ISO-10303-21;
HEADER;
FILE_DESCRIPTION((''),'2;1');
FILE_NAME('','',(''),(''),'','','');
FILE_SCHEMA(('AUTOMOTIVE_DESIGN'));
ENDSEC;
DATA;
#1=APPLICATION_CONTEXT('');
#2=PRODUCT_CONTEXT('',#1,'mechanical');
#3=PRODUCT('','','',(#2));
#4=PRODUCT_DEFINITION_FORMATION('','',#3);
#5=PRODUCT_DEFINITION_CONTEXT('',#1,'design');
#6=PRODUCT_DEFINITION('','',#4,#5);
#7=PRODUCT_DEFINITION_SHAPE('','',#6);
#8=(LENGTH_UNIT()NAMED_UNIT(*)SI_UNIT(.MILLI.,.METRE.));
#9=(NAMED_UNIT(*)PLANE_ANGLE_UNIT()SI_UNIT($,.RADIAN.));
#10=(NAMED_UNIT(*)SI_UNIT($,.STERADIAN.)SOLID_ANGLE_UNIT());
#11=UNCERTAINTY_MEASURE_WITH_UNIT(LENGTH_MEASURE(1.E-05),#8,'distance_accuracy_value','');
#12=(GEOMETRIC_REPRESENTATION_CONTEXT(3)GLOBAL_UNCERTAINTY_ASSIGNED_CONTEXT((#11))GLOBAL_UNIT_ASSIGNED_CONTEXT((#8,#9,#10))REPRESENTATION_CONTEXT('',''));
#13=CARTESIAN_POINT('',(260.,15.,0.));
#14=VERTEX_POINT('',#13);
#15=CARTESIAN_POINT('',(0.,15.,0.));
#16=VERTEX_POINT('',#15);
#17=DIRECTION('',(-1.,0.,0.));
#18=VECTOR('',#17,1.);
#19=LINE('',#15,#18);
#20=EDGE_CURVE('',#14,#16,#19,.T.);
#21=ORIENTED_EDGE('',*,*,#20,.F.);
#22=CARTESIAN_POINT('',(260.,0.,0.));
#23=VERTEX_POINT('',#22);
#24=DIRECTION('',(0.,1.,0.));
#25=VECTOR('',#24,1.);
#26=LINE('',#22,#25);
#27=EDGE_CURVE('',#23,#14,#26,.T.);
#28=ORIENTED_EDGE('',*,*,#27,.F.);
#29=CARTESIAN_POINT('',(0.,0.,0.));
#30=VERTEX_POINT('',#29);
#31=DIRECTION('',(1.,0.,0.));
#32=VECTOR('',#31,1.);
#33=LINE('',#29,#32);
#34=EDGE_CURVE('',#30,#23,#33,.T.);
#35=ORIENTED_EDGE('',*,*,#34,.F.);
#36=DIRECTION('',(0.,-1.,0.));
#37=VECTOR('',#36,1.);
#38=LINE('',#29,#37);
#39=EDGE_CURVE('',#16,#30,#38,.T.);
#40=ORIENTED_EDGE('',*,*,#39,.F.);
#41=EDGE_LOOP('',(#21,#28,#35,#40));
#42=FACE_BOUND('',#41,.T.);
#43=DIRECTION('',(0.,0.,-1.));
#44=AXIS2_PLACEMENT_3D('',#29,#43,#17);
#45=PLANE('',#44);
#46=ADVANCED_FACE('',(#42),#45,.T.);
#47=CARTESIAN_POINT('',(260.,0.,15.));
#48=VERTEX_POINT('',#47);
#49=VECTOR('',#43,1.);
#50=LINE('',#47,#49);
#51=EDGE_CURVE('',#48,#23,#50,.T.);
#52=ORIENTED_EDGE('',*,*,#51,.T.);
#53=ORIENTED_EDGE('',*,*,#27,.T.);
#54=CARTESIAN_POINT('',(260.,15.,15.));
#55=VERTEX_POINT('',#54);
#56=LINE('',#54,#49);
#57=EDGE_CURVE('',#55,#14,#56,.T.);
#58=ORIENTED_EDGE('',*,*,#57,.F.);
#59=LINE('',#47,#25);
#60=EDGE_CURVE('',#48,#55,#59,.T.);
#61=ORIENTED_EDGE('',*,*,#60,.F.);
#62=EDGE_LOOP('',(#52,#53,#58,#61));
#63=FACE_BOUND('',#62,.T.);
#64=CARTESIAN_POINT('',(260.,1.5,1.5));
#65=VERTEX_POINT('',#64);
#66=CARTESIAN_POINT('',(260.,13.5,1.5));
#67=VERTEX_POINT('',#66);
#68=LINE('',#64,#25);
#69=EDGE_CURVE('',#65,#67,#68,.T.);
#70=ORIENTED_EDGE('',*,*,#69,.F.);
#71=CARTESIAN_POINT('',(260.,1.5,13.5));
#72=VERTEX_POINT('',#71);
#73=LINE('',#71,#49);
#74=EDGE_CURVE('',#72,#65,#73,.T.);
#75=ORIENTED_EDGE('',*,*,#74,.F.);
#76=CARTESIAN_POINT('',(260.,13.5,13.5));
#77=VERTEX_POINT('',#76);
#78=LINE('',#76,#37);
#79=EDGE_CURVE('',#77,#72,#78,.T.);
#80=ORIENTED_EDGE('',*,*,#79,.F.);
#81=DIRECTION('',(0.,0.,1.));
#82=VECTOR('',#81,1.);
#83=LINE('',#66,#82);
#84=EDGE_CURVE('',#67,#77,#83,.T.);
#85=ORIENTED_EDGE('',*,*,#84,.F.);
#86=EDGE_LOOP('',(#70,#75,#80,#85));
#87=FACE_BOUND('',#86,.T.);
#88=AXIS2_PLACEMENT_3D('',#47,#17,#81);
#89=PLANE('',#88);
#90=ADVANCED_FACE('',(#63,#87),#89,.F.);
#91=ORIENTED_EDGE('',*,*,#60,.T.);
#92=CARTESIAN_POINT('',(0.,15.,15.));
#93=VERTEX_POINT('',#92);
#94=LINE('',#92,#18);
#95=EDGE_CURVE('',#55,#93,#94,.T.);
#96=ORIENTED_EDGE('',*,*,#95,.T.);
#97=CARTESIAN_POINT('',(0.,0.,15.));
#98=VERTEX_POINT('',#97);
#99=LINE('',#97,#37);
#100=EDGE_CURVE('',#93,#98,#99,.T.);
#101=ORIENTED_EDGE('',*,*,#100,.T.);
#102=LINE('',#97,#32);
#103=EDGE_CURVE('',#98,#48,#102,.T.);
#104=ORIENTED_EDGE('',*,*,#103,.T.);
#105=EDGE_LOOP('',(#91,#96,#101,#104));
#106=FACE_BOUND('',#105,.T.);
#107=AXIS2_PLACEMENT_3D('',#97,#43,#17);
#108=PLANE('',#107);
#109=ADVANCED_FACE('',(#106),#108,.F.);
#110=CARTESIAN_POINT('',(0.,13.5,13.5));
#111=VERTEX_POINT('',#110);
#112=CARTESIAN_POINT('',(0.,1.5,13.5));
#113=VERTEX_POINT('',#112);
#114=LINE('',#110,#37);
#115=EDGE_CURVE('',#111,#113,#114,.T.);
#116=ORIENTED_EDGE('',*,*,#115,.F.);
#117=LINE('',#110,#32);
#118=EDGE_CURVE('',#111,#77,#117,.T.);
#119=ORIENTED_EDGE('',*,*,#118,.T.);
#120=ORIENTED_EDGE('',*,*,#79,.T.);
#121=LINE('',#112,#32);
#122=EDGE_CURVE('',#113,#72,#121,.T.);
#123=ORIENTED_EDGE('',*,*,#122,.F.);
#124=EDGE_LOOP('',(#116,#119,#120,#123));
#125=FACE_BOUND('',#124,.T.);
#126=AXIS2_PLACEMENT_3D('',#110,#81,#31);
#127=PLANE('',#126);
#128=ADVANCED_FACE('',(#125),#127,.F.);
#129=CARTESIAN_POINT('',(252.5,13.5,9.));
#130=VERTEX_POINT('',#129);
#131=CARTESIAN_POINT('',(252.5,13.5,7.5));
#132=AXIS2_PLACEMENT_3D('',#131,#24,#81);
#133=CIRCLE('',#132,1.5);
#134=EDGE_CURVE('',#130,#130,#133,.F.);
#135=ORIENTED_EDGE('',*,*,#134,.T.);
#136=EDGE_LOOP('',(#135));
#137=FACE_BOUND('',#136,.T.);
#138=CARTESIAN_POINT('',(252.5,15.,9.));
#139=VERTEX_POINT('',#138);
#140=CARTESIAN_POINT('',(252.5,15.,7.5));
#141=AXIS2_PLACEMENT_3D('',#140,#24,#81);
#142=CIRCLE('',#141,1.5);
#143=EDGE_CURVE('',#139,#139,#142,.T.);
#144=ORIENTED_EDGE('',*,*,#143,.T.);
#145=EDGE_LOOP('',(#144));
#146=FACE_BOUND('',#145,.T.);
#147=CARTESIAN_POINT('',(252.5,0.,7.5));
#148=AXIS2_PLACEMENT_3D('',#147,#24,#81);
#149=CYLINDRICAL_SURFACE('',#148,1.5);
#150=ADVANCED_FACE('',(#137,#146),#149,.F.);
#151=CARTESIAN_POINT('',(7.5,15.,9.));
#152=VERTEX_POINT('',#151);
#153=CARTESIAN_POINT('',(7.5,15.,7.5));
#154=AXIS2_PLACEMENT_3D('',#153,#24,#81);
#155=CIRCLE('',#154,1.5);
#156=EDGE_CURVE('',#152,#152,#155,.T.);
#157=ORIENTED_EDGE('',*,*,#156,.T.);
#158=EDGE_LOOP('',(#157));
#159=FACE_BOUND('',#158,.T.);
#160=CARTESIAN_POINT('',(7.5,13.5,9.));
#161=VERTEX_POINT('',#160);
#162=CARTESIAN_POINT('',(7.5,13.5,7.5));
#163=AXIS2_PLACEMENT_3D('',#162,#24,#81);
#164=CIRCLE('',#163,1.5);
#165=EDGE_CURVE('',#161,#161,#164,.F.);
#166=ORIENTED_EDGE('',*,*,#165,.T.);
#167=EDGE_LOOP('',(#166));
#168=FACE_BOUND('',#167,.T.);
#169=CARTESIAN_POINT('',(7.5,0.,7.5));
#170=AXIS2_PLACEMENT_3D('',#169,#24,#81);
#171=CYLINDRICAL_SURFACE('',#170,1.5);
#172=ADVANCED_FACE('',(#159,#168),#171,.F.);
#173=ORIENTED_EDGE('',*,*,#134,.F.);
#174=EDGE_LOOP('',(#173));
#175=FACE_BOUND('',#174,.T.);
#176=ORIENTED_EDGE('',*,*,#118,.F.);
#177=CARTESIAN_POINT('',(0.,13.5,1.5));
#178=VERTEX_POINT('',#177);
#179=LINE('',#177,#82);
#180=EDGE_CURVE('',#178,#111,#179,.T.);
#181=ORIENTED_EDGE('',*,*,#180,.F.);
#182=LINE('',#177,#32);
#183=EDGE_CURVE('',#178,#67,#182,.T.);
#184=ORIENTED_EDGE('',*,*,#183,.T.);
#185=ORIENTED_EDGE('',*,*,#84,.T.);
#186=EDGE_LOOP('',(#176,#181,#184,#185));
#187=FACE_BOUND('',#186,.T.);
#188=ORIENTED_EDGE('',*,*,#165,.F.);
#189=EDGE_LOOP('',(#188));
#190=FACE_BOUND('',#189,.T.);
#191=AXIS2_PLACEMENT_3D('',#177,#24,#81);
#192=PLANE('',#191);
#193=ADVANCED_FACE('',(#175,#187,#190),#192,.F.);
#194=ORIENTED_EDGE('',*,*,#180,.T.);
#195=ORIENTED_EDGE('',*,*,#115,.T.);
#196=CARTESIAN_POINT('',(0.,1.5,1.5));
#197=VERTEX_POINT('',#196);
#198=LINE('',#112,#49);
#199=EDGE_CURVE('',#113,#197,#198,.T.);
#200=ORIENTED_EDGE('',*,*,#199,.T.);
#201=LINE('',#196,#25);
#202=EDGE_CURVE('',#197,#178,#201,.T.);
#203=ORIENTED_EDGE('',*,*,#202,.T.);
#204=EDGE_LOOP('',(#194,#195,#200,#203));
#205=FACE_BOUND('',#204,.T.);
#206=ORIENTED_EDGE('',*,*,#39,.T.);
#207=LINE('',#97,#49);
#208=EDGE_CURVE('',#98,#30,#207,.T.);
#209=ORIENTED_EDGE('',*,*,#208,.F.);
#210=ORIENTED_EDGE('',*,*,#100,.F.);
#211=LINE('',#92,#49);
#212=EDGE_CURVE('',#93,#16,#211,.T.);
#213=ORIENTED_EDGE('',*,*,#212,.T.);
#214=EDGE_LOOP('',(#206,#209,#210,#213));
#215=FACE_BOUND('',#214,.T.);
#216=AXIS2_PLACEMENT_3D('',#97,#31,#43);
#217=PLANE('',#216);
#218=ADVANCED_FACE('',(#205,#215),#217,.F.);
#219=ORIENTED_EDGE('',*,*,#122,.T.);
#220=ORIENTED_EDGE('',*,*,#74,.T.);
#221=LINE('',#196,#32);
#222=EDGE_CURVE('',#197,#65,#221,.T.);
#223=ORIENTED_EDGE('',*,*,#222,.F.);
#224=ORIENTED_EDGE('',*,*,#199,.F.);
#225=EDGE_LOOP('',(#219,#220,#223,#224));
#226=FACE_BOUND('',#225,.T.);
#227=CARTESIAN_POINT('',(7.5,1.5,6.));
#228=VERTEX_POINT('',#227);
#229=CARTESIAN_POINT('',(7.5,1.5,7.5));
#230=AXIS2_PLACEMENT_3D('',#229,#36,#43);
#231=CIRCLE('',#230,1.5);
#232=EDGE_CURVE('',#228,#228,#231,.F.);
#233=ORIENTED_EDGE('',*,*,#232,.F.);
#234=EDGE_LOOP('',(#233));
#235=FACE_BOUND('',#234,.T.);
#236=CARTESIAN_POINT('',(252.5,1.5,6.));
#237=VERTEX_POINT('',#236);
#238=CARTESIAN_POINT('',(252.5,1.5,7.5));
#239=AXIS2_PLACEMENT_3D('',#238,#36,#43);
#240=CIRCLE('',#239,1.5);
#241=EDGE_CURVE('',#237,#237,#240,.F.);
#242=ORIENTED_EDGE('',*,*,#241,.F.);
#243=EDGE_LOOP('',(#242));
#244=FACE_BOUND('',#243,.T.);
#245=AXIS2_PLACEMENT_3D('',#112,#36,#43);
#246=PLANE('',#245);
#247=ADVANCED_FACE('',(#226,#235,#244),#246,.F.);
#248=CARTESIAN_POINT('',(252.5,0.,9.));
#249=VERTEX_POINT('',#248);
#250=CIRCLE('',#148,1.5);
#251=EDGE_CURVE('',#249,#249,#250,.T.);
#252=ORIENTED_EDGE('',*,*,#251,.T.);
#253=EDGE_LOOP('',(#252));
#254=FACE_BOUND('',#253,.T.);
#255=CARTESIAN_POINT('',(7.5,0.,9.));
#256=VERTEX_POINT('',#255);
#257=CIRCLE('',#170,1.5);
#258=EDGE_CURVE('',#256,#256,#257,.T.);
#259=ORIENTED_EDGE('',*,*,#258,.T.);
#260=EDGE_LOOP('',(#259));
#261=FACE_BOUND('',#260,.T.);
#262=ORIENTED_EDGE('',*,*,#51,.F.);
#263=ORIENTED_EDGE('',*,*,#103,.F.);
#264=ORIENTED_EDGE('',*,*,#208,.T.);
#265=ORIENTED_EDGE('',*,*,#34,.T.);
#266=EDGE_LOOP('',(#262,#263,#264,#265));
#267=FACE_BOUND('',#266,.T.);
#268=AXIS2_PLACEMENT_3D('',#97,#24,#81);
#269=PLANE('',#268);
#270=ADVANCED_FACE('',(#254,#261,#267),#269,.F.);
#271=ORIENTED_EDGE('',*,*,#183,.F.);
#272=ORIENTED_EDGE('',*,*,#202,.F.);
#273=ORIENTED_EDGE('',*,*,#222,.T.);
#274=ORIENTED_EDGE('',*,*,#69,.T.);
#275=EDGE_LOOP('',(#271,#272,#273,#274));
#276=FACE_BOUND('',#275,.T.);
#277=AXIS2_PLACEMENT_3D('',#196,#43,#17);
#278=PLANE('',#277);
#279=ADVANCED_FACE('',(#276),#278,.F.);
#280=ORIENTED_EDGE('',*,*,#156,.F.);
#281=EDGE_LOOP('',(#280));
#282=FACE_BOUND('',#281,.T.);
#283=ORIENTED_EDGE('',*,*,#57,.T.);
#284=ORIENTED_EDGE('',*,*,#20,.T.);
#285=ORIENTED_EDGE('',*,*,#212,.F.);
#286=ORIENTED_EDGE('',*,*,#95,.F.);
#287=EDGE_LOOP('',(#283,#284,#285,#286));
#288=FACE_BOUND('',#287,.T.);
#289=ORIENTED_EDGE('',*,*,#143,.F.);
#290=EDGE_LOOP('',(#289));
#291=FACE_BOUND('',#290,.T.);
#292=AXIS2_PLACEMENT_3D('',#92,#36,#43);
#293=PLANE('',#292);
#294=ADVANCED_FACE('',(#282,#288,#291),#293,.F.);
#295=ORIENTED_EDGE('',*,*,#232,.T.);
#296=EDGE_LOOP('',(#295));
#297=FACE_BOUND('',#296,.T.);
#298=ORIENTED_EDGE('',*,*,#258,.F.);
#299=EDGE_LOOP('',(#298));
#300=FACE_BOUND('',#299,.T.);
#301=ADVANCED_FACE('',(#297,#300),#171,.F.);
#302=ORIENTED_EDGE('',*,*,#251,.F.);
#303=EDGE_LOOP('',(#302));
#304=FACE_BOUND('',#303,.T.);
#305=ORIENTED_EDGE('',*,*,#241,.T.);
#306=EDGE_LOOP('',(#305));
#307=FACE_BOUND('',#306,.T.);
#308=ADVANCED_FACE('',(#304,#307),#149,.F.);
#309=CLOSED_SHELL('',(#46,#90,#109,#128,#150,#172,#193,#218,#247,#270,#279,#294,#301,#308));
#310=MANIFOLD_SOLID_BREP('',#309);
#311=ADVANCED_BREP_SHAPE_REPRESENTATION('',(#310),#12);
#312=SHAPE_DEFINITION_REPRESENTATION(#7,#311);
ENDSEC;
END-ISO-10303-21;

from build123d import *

# Parameters (mm, degrees)
SKETCH_2_W          = 260
SKETCH_2_H          = 15
EXTRUDE_1_DEPTH     = 15
SKETCH_3_R          = 1.5
CUT_EXTRUDE_1_DEPTH = 261.863949215
SKETCH_4_W          = 12
SKETCH_4_H          = 12
CUT_EXTRUDE_2_DEPTH = 261.863949215


with BuildPart() as part:
    # ｽｹｯﾁ2 → ﾎﾞｽ - 押し出し1 (new body)
    with BuildSketch(Plane.XY):
        with Locations((130, 7.5)):
            Rectangle(SKETCH_2_W, SKETCH_2_H)
    extrude(amount=EXTRUDE_1_DEPTH)

    # ｽｹｯﾁ3 → ｶｯﾄ - 押し出し1 (cut, through all)
    with BuildSketch(Plane(origin=(0, 15, 0), x_dir=(1, 0, 0), z_dir=(0, 1, 0))):
        with Locations(Location((7.5, -7.5, 0), (0, 0, 270))):
            Circle(SKETCH_3_R)
        with Locations(Location((252.5, -7.5, 0), (0, 0, 270))):
            Circle(SKETCH_3_R)
    extrude(amount=-CUT_EXTRUDE_1_DEPTH, mode=Mode.SUBTRACT)

    # ｽｹｯﾁ4 → ｶｯﾄ - 押し出し2 (cut, through all)
    with BuildSketch(Plane(origin=(260, 0, 0), x_dir=(0, 0, -1), z_dir=(1, 0, 0))):
        with Locations((-7.5, 7.5)):
            Rectangle(SKETCH_4_W, SKETCH_4_H)
    extrude(amount=-CUT_EXTRUDE_2_DEPTH, mode=Mode.SUBTRACT)


solid = part.part
